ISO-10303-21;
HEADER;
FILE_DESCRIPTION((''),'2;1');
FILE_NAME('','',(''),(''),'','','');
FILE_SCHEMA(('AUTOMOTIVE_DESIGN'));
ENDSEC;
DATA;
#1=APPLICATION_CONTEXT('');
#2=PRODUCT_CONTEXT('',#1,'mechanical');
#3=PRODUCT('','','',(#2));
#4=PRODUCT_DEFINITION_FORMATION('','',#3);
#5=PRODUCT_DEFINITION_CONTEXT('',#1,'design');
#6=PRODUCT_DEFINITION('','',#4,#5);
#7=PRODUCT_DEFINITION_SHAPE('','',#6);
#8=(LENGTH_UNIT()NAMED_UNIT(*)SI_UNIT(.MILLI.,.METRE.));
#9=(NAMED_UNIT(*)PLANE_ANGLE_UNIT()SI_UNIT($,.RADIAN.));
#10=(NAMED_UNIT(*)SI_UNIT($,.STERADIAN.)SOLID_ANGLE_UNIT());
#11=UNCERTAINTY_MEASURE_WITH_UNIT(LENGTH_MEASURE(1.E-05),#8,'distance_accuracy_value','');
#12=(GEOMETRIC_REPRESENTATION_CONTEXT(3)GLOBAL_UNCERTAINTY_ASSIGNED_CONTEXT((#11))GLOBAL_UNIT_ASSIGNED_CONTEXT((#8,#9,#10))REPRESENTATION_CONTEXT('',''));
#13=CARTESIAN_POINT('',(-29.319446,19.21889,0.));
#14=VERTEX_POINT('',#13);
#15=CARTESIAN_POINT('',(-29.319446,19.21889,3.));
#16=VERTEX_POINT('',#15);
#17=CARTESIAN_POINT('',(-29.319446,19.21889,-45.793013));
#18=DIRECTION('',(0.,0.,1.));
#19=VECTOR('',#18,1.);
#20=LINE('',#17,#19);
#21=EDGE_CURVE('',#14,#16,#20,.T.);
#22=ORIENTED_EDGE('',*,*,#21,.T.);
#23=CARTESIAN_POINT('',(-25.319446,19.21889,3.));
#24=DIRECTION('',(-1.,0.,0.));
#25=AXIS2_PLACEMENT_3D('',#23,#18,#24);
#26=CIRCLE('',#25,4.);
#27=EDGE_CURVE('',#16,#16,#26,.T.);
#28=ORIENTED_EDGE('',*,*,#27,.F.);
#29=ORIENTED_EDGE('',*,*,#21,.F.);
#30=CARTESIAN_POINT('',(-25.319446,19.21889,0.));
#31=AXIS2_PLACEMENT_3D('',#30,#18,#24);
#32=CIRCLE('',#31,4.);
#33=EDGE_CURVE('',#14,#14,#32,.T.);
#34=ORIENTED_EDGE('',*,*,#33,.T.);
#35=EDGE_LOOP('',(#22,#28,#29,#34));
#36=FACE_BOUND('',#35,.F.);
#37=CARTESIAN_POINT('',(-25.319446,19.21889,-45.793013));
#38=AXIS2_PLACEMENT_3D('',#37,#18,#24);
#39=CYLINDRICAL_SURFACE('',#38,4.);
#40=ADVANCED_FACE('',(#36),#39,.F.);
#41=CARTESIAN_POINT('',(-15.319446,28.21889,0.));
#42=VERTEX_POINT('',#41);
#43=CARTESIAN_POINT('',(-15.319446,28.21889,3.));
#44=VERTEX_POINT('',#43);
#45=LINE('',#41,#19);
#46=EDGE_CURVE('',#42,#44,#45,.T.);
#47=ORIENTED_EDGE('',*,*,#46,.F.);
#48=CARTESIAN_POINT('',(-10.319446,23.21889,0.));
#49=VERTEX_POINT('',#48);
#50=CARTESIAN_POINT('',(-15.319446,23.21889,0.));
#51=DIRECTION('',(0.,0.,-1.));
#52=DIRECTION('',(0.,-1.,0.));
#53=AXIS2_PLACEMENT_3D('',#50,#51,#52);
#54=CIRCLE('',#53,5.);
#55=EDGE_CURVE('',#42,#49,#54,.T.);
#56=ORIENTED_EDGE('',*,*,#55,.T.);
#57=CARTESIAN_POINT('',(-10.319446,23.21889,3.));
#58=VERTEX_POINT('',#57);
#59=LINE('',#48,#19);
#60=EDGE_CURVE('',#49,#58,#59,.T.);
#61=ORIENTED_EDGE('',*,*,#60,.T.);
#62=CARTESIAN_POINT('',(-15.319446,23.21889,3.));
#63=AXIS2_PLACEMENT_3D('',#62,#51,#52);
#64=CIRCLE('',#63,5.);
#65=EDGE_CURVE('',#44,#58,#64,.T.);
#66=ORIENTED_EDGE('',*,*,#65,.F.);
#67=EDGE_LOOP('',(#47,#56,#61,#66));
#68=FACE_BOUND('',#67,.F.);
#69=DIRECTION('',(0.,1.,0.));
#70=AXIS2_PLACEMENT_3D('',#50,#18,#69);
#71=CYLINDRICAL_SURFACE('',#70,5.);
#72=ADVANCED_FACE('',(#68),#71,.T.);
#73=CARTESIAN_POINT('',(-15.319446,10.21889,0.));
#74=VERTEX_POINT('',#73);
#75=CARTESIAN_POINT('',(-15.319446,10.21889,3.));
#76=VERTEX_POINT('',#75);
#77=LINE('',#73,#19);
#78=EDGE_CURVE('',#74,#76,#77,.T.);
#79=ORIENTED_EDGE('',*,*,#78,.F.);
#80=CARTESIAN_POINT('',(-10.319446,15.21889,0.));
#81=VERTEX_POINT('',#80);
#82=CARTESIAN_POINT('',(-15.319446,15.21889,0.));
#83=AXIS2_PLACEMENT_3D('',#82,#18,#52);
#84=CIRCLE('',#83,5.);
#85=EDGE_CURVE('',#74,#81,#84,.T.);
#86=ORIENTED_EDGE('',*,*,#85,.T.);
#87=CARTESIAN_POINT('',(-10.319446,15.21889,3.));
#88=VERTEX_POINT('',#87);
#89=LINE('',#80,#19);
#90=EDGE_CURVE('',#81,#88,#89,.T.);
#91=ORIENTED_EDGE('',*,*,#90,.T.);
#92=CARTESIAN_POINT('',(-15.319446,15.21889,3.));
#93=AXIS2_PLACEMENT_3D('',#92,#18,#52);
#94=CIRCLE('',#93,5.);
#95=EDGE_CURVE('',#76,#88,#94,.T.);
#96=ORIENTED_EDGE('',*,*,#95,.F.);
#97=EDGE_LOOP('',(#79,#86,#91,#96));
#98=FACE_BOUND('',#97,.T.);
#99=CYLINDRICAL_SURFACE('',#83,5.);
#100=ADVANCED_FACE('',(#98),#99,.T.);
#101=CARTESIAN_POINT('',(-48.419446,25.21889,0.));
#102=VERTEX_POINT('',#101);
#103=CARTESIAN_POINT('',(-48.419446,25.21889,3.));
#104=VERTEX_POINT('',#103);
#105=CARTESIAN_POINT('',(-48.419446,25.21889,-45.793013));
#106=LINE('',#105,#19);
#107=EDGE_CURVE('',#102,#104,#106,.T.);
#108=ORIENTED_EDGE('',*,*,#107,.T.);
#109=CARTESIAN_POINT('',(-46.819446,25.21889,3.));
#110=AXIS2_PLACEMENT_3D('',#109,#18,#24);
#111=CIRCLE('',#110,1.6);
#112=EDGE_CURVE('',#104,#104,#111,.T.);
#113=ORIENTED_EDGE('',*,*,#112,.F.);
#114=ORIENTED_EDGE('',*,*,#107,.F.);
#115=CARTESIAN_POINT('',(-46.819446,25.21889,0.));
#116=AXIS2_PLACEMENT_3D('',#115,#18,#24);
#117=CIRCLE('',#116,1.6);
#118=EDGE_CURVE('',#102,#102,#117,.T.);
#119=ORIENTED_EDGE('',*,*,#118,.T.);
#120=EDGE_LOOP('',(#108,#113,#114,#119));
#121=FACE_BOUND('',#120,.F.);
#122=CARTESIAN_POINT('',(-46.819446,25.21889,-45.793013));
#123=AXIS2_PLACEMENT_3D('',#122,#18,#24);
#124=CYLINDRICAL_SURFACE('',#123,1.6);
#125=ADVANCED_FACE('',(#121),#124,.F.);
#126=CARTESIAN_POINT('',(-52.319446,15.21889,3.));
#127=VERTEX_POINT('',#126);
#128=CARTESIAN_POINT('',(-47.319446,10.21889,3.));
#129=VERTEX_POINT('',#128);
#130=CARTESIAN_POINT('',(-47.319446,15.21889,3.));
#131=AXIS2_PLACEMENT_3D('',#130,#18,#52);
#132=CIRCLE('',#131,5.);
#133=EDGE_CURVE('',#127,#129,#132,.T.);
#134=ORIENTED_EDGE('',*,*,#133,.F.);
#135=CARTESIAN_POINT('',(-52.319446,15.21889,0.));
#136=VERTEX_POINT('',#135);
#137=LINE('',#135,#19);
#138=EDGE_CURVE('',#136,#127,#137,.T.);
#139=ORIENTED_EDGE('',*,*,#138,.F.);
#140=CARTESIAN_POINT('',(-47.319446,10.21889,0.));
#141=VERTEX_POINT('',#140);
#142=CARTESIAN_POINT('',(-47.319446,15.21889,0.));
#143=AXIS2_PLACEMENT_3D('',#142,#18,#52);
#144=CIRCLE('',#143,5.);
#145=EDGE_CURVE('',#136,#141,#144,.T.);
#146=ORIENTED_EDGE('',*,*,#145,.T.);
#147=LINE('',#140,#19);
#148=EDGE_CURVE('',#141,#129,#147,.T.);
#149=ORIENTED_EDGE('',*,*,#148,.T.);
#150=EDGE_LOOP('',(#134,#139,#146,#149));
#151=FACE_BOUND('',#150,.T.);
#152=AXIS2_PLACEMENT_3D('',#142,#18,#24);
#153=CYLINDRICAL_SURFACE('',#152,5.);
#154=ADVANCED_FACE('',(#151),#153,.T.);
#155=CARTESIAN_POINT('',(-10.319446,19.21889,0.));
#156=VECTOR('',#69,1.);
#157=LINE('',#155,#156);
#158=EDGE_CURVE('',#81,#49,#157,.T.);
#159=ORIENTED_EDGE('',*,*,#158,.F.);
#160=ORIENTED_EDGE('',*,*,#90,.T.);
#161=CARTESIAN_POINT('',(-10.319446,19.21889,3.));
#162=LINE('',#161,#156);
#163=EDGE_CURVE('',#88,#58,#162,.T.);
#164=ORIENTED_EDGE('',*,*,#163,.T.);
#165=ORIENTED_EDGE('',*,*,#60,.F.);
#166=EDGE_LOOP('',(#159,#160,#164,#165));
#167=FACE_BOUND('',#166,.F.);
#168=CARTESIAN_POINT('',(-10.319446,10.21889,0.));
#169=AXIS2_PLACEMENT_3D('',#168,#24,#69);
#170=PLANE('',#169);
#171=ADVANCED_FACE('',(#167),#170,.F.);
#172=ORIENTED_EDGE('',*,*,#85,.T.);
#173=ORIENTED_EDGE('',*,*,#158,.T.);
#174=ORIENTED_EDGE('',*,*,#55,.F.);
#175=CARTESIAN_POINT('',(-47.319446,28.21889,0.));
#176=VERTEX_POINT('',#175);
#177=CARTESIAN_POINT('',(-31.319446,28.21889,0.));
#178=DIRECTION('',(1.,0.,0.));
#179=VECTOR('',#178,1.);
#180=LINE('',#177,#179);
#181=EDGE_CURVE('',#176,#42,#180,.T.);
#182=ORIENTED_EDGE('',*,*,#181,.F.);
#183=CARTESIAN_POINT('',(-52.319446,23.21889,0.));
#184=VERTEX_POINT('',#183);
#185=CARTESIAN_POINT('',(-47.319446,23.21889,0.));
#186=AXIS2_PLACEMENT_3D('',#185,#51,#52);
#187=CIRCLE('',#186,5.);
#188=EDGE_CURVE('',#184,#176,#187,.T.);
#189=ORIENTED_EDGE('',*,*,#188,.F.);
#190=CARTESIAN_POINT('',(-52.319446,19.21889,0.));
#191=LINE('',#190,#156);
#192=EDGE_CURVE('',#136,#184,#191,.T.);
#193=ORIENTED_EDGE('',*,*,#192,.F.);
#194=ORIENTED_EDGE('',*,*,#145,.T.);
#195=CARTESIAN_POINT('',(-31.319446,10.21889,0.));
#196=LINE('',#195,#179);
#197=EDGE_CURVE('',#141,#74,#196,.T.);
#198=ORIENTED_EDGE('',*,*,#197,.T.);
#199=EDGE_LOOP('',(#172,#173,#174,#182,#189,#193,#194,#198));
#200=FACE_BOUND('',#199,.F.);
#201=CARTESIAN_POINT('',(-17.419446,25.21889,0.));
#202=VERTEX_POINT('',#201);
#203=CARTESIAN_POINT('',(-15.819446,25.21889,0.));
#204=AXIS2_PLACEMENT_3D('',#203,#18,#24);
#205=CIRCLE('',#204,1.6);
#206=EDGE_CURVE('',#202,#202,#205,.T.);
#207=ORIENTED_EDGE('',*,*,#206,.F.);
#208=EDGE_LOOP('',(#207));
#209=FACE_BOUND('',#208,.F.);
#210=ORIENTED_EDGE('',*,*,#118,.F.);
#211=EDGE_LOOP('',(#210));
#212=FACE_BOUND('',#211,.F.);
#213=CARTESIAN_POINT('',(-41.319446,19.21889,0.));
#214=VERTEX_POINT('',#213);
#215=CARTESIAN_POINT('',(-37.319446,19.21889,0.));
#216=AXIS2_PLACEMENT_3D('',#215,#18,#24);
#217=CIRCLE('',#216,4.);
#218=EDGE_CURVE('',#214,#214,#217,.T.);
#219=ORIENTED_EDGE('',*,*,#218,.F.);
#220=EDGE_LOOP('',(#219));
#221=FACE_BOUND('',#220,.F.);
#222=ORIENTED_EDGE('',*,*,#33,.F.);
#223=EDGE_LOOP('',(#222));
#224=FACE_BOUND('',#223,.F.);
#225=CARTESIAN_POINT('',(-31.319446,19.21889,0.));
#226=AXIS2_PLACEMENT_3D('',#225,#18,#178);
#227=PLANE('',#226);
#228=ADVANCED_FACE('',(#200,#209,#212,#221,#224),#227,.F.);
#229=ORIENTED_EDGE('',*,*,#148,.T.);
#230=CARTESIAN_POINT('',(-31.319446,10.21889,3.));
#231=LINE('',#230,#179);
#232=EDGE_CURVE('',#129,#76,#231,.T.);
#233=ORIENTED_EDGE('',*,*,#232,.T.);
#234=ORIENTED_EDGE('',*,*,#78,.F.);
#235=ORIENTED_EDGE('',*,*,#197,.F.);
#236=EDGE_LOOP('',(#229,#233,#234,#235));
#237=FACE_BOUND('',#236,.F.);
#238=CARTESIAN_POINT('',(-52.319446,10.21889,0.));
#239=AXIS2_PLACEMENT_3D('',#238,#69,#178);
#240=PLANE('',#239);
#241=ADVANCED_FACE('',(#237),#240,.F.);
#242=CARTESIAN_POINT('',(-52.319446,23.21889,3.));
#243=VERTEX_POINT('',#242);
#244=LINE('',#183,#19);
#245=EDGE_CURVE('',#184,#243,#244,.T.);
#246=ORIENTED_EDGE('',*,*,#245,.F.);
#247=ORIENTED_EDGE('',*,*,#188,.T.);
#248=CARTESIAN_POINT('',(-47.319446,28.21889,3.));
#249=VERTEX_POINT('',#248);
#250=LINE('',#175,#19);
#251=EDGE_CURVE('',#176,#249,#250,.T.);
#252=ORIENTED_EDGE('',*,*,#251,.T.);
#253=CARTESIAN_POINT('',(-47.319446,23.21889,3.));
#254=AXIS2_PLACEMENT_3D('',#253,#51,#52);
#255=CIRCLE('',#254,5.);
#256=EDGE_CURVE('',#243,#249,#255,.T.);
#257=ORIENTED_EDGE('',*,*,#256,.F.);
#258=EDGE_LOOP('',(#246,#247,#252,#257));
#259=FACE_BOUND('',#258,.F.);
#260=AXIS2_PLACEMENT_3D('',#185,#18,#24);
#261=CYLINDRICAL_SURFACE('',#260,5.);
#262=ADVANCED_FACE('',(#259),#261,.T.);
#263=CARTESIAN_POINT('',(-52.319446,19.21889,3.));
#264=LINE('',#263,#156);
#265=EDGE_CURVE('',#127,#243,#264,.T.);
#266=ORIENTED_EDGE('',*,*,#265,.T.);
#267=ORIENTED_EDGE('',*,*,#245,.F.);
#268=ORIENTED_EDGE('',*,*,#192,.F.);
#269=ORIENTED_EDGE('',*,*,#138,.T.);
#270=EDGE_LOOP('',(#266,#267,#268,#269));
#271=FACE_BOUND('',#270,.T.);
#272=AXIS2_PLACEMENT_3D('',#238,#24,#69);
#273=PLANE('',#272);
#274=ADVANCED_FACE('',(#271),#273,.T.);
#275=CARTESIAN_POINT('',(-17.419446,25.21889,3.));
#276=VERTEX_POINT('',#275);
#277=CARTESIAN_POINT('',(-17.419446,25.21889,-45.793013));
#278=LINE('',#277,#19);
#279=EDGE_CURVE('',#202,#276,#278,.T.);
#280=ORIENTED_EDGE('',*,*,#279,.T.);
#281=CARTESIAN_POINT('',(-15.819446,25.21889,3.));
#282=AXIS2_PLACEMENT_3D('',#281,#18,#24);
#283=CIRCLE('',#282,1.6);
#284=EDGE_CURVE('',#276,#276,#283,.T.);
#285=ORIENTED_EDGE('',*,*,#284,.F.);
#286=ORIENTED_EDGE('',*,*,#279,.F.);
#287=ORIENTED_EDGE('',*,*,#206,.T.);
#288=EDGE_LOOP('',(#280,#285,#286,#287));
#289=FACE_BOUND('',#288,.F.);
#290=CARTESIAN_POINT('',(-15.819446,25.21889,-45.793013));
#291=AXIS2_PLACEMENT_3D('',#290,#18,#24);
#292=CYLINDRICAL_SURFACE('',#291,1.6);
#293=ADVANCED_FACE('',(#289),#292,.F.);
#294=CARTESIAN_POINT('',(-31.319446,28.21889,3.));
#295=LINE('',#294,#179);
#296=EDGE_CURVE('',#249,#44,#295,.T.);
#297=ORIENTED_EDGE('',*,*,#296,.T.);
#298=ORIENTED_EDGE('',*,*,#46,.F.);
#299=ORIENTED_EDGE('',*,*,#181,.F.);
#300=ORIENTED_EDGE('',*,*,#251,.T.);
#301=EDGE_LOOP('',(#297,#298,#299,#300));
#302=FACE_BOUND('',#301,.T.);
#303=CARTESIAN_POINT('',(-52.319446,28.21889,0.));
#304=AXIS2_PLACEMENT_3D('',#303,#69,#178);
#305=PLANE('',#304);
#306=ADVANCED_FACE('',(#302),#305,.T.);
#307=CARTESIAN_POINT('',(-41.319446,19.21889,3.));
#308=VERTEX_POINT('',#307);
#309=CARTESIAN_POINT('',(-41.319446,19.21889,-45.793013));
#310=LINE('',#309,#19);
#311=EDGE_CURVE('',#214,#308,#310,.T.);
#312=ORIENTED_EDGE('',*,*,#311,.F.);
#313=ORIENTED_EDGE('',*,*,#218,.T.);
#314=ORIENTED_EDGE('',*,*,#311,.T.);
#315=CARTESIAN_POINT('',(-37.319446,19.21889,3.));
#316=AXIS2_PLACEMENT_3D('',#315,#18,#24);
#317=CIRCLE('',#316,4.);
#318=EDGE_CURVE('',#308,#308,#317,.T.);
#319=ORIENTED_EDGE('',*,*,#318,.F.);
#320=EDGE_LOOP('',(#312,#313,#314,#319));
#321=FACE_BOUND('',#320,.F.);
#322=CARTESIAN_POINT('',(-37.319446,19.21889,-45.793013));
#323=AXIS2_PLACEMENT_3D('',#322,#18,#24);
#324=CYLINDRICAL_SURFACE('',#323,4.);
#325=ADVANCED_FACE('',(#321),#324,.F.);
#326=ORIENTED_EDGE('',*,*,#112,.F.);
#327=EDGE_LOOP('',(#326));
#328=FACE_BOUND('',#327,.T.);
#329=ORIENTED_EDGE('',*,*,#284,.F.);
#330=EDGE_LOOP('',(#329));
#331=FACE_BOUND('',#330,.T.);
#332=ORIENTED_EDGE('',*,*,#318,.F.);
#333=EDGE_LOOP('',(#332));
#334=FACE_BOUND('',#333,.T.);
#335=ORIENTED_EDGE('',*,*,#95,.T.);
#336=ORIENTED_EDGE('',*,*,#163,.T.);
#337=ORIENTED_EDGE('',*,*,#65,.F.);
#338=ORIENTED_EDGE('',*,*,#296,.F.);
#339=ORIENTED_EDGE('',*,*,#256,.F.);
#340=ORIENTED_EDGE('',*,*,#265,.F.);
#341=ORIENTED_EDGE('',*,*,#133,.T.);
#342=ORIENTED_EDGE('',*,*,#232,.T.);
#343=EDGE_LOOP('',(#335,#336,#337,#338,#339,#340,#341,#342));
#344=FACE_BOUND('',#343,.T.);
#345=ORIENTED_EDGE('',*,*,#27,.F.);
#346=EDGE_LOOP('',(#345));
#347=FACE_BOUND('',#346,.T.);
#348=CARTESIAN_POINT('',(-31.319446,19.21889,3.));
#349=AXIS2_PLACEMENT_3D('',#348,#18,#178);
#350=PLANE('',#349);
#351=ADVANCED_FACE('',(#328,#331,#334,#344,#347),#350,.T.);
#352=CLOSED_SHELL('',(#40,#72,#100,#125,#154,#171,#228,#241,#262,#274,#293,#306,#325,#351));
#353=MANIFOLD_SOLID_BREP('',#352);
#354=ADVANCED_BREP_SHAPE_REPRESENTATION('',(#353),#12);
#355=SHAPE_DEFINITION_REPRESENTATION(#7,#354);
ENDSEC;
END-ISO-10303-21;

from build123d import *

# Parameters (mm, degrees)
F0_W     = 42
F0_H     = 18
F1_DEPTH = 3
F2_D     = 3.2
F3_D     = 8
F4_R     = 5


with BuildPart() as f1:
    # F0 (on Top) → F1 (new body)
    with BuildSketch(Plane.XY):
        with Locations((-31.3194459304, 19.2188901754)):
            Rectangle(F0_W, F0_H)
    extrude(amount=F1_DEPTH)

    # F2 (through all)
    with Locations(Plane(origin=(0, 0, 0), x_dir=(1, 0, 0), z_dir=(0, 0, -1))):
        with Locations((-46.8194459304, -25.2188901754), (-15.8194459304, -25.2188901754)):
            Hole(F2_D / 2)

    # F3 (through all)
    with Locations(Plane(origin=(0, 0, 0), x_dir=(1, 0, 0), z_dir=(0, 0, -1))):
        with Locations((-25.3194459304, -19.2188901754), (-37.3194459304, -19.2188901754)):
            Hole(F3_D / 2)

    # F4
    f4_edges = [f1.edges().sort_by_distance(p)[0] for p in [
        (-52.319446, 28.21889, 1.5),
        (-52.319446, 10.21889, 1.5),
        (-10.319446, 28.21889, 1.5),
        (-10.319446, 10.21889, 1.5),
    ]]
    fillet(f4_edges, radius=F4_R)


solid = f1.part
